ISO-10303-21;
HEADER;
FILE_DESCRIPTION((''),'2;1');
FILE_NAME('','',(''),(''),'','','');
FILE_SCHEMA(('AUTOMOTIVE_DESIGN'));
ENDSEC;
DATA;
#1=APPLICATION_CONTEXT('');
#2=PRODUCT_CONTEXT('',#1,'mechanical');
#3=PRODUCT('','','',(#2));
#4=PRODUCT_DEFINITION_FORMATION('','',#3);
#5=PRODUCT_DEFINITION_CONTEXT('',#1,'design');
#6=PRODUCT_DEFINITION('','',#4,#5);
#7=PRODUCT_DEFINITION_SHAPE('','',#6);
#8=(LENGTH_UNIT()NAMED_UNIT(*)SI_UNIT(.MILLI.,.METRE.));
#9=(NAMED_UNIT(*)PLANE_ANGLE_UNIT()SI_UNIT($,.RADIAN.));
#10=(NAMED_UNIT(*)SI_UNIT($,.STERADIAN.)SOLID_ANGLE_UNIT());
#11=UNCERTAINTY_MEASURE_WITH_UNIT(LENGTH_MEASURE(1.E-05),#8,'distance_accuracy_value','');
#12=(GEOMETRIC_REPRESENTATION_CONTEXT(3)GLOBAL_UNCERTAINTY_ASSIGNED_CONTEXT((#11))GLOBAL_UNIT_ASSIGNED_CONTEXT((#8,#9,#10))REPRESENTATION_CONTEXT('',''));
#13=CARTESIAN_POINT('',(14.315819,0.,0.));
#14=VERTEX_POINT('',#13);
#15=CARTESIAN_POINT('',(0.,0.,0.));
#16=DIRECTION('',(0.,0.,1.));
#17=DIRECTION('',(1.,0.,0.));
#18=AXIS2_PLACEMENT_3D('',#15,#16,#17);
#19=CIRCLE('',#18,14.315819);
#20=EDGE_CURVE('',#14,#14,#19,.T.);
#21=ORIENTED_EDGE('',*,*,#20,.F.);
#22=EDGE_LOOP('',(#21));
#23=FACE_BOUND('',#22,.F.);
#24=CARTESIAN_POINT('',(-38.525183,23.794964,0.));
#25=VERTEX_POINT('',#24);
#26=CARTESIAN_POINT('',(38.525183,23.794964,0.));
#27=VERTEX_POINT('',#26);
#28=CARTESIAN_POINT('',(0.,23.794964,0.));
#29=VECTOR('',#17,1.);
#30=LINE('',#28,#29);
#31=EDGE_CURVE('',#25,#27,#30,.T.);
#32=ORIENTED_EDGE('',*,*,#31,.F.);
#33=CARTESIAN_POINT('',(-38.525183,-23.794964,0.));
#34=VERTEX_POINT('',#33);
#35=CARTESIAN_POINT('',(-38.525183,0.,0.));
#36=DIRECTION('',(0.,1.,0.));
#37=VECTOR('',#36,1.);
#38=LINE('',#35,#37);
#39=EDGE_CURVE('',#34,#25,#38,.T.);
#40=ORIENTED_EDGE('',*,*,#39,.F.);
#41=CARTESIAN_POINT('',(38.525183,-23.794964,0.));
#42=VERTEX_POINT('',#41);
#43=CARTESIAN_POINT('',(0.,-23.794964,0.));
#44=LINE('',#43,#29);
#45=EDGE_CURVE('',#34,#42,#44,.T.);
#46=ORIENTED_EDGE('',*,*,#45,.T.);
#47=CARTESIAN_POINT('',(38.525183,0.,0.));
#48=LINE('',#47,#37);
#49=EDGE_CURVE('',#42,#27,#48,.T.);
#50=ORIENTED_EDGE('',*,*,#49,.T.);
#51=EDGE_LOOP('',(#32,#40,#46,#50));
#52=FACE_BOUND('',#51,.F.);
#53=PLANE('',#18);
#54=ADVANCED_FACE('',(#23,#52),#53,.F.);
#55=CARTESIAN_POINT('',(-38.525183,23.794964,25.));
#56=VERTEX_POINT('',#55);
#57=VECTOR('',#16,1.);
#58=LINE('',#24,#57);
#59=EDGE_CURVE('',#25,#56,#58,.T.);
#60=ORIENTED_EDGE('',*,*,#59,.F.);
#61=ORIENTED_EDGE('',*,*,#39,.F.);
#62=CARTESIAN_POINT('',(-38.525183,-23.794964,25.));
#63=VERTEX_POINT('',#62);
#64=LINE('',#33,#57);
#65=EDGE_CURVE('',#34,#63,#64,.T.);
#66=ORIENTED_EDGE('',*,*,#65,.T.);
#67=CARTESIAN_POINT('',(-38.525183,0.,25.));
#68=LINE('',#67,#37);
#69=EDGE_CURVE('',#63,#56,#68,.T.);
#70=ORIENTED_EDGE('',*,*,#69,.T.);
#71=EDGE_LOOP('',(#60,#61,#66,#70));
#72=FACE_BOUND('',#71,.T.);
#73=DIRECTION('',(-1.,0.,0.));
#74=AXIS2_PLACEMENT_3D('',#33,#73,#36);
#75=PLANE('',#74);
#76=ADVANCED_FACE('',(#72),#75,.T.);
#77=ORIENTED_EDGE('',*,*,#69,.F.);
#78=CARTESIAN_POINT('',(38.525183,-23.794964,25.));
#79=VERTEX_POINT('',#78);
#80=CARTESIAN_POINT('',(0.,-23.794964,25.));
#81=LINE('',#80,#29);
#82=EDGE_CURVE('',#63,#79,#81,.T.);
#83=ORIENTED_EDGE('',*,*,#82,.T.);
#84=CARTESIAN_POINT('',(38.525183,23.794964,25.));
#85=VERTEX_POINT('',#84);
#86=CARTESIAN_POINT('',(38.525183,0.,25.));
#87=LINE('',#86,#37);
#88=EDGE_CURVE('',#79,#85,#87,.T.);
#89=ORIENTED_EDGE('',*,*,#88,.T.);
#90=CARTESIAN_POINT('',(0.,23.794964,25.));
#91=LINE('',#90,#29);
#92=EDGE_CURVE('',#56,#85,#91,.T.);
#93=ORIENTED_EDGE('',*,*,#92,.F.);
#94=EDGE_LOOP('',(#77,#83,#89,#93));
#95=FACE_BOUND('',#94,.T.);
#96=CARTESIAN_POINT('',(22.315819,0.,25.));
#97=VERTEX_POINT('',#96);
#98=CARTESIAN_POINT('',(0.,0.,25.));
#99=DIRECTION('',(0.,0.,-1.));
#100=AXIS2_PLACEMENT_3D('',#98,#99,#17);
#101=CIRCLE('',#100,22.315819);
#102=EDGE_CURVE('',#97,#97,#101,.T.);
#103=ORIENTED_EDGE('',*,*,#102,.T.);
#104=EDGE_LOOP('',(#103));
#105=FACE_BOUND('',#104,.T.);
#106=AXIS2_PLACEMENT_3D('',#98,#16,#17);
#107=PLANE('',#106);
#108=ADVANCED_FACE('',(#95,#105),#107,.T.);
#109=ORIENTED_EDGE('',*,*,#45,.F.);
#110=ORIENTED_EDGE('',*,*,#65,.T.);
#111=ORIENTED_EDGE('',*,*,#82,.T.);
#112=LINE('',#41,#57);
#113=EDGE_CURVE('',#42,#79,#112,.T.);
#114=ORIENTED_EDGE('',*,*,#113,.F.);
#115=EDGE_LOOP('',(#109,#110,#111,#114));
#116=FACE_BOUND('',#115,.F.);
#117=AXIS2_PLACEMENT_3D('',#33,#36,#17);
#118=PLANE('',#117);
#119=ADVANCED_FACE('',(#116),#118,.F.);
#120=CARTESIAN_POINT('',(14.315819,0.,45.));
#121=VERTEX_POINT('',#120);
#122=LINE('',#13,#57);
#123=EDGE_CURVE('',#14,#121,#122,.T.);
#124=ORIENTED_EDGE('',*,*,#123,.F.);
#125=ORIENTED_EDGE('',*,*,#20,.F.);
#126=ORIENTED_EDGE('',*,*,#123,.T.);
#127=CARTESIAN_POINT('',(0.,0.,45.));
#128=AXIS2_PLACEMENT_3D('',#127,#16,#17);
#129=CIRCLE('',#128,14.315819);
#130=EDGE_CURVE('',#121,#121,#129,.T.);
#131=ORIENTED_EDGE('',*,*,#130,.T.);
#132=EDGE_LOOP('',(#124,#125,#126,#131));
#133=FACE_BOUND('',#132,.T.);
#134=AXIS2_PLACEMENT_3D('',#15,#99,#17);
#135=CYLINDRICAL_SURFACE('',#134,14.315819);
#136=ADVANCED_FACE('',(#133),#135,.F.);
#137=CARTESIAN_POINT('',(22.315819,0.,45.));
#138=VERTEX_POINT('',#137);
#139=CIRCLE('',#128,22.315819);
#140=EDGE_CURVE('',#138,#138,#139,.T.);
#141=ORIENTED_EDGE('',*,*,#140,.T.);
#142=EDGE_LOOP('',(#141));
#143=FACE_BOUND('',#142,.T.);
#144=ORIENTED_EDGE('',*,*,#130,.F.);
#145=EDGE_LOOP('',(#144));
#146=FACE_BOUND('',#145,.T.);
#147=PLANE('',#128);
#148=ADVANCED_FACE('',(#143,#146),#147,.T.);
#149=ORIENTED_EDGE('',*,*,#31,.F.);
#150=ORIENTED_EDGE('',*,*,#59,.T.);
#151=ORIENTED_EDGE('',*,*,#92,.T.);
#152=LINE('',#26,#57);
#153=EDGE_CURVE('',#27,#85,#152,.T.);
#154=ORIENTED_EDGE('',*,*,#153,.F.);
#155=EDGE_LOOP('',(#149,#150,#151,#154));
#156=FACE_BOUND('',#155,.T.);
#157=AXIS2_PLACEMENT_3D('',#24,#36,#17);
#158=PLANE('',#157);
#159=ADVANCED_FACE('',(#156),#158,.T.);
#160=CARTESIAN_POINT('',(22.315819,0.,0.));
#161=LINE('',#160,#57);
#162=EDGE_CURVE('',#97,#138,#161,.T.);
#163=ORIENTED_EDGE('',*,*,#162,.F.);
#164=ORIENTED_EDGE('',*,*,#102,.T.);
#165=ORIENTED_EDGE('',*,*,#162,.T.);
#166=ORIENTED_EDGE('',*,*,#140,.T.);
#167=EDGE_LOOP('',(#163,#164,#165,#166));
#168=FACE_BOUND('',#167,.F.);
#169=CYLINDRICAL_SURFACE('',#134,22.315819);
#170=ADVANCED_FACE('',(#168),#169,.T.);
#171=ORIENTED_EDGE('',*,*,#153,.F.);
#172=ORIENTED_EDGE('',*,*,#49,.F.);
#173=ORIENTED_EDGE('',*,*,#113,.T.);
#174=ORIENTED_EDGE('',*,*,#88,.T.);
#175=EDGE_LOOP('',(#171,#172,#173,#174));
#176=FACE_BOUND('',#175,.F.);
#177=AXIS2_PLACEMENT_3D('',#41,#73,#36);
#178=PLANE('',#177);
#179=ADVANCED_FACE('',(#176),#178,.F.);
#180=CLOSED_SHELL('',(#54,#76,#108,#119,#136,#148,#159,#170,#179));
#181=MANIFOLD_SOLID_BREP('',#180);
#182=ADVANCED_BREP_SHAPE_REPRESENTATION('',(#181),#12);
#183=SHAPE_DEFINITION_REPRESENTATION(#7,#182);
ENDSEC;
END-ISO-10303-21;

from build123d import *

# Parameters (mm, degrees)
F0_W     = 77.050366
F0_H     = 47.589928
F0_R     = 14.315819
F1_DEPTH = 25
F2_R     = 22.315819
F2_R_2   = 14.315819
F3_DEPTH = 45


with BuildPart() as f1:
    # F0 (on Top) → F1 (new body)
    with BuildSketch(Plane.XY):
        Rectangle(F0_W, F0_H)
        Circle(F0_R, mode=Mode.SUBTRACT)
    extrude(amount=F1_DEPTH)

    # F2 (on Top) → F3 (join)
    with BuildSketch(Plane.XY):
        Circle(F2_R)
        Circle(F2_R_2, mode=Mode.SUBTRACT)
    extrude(amount=F3_DEPTH)


solid = f1.part
